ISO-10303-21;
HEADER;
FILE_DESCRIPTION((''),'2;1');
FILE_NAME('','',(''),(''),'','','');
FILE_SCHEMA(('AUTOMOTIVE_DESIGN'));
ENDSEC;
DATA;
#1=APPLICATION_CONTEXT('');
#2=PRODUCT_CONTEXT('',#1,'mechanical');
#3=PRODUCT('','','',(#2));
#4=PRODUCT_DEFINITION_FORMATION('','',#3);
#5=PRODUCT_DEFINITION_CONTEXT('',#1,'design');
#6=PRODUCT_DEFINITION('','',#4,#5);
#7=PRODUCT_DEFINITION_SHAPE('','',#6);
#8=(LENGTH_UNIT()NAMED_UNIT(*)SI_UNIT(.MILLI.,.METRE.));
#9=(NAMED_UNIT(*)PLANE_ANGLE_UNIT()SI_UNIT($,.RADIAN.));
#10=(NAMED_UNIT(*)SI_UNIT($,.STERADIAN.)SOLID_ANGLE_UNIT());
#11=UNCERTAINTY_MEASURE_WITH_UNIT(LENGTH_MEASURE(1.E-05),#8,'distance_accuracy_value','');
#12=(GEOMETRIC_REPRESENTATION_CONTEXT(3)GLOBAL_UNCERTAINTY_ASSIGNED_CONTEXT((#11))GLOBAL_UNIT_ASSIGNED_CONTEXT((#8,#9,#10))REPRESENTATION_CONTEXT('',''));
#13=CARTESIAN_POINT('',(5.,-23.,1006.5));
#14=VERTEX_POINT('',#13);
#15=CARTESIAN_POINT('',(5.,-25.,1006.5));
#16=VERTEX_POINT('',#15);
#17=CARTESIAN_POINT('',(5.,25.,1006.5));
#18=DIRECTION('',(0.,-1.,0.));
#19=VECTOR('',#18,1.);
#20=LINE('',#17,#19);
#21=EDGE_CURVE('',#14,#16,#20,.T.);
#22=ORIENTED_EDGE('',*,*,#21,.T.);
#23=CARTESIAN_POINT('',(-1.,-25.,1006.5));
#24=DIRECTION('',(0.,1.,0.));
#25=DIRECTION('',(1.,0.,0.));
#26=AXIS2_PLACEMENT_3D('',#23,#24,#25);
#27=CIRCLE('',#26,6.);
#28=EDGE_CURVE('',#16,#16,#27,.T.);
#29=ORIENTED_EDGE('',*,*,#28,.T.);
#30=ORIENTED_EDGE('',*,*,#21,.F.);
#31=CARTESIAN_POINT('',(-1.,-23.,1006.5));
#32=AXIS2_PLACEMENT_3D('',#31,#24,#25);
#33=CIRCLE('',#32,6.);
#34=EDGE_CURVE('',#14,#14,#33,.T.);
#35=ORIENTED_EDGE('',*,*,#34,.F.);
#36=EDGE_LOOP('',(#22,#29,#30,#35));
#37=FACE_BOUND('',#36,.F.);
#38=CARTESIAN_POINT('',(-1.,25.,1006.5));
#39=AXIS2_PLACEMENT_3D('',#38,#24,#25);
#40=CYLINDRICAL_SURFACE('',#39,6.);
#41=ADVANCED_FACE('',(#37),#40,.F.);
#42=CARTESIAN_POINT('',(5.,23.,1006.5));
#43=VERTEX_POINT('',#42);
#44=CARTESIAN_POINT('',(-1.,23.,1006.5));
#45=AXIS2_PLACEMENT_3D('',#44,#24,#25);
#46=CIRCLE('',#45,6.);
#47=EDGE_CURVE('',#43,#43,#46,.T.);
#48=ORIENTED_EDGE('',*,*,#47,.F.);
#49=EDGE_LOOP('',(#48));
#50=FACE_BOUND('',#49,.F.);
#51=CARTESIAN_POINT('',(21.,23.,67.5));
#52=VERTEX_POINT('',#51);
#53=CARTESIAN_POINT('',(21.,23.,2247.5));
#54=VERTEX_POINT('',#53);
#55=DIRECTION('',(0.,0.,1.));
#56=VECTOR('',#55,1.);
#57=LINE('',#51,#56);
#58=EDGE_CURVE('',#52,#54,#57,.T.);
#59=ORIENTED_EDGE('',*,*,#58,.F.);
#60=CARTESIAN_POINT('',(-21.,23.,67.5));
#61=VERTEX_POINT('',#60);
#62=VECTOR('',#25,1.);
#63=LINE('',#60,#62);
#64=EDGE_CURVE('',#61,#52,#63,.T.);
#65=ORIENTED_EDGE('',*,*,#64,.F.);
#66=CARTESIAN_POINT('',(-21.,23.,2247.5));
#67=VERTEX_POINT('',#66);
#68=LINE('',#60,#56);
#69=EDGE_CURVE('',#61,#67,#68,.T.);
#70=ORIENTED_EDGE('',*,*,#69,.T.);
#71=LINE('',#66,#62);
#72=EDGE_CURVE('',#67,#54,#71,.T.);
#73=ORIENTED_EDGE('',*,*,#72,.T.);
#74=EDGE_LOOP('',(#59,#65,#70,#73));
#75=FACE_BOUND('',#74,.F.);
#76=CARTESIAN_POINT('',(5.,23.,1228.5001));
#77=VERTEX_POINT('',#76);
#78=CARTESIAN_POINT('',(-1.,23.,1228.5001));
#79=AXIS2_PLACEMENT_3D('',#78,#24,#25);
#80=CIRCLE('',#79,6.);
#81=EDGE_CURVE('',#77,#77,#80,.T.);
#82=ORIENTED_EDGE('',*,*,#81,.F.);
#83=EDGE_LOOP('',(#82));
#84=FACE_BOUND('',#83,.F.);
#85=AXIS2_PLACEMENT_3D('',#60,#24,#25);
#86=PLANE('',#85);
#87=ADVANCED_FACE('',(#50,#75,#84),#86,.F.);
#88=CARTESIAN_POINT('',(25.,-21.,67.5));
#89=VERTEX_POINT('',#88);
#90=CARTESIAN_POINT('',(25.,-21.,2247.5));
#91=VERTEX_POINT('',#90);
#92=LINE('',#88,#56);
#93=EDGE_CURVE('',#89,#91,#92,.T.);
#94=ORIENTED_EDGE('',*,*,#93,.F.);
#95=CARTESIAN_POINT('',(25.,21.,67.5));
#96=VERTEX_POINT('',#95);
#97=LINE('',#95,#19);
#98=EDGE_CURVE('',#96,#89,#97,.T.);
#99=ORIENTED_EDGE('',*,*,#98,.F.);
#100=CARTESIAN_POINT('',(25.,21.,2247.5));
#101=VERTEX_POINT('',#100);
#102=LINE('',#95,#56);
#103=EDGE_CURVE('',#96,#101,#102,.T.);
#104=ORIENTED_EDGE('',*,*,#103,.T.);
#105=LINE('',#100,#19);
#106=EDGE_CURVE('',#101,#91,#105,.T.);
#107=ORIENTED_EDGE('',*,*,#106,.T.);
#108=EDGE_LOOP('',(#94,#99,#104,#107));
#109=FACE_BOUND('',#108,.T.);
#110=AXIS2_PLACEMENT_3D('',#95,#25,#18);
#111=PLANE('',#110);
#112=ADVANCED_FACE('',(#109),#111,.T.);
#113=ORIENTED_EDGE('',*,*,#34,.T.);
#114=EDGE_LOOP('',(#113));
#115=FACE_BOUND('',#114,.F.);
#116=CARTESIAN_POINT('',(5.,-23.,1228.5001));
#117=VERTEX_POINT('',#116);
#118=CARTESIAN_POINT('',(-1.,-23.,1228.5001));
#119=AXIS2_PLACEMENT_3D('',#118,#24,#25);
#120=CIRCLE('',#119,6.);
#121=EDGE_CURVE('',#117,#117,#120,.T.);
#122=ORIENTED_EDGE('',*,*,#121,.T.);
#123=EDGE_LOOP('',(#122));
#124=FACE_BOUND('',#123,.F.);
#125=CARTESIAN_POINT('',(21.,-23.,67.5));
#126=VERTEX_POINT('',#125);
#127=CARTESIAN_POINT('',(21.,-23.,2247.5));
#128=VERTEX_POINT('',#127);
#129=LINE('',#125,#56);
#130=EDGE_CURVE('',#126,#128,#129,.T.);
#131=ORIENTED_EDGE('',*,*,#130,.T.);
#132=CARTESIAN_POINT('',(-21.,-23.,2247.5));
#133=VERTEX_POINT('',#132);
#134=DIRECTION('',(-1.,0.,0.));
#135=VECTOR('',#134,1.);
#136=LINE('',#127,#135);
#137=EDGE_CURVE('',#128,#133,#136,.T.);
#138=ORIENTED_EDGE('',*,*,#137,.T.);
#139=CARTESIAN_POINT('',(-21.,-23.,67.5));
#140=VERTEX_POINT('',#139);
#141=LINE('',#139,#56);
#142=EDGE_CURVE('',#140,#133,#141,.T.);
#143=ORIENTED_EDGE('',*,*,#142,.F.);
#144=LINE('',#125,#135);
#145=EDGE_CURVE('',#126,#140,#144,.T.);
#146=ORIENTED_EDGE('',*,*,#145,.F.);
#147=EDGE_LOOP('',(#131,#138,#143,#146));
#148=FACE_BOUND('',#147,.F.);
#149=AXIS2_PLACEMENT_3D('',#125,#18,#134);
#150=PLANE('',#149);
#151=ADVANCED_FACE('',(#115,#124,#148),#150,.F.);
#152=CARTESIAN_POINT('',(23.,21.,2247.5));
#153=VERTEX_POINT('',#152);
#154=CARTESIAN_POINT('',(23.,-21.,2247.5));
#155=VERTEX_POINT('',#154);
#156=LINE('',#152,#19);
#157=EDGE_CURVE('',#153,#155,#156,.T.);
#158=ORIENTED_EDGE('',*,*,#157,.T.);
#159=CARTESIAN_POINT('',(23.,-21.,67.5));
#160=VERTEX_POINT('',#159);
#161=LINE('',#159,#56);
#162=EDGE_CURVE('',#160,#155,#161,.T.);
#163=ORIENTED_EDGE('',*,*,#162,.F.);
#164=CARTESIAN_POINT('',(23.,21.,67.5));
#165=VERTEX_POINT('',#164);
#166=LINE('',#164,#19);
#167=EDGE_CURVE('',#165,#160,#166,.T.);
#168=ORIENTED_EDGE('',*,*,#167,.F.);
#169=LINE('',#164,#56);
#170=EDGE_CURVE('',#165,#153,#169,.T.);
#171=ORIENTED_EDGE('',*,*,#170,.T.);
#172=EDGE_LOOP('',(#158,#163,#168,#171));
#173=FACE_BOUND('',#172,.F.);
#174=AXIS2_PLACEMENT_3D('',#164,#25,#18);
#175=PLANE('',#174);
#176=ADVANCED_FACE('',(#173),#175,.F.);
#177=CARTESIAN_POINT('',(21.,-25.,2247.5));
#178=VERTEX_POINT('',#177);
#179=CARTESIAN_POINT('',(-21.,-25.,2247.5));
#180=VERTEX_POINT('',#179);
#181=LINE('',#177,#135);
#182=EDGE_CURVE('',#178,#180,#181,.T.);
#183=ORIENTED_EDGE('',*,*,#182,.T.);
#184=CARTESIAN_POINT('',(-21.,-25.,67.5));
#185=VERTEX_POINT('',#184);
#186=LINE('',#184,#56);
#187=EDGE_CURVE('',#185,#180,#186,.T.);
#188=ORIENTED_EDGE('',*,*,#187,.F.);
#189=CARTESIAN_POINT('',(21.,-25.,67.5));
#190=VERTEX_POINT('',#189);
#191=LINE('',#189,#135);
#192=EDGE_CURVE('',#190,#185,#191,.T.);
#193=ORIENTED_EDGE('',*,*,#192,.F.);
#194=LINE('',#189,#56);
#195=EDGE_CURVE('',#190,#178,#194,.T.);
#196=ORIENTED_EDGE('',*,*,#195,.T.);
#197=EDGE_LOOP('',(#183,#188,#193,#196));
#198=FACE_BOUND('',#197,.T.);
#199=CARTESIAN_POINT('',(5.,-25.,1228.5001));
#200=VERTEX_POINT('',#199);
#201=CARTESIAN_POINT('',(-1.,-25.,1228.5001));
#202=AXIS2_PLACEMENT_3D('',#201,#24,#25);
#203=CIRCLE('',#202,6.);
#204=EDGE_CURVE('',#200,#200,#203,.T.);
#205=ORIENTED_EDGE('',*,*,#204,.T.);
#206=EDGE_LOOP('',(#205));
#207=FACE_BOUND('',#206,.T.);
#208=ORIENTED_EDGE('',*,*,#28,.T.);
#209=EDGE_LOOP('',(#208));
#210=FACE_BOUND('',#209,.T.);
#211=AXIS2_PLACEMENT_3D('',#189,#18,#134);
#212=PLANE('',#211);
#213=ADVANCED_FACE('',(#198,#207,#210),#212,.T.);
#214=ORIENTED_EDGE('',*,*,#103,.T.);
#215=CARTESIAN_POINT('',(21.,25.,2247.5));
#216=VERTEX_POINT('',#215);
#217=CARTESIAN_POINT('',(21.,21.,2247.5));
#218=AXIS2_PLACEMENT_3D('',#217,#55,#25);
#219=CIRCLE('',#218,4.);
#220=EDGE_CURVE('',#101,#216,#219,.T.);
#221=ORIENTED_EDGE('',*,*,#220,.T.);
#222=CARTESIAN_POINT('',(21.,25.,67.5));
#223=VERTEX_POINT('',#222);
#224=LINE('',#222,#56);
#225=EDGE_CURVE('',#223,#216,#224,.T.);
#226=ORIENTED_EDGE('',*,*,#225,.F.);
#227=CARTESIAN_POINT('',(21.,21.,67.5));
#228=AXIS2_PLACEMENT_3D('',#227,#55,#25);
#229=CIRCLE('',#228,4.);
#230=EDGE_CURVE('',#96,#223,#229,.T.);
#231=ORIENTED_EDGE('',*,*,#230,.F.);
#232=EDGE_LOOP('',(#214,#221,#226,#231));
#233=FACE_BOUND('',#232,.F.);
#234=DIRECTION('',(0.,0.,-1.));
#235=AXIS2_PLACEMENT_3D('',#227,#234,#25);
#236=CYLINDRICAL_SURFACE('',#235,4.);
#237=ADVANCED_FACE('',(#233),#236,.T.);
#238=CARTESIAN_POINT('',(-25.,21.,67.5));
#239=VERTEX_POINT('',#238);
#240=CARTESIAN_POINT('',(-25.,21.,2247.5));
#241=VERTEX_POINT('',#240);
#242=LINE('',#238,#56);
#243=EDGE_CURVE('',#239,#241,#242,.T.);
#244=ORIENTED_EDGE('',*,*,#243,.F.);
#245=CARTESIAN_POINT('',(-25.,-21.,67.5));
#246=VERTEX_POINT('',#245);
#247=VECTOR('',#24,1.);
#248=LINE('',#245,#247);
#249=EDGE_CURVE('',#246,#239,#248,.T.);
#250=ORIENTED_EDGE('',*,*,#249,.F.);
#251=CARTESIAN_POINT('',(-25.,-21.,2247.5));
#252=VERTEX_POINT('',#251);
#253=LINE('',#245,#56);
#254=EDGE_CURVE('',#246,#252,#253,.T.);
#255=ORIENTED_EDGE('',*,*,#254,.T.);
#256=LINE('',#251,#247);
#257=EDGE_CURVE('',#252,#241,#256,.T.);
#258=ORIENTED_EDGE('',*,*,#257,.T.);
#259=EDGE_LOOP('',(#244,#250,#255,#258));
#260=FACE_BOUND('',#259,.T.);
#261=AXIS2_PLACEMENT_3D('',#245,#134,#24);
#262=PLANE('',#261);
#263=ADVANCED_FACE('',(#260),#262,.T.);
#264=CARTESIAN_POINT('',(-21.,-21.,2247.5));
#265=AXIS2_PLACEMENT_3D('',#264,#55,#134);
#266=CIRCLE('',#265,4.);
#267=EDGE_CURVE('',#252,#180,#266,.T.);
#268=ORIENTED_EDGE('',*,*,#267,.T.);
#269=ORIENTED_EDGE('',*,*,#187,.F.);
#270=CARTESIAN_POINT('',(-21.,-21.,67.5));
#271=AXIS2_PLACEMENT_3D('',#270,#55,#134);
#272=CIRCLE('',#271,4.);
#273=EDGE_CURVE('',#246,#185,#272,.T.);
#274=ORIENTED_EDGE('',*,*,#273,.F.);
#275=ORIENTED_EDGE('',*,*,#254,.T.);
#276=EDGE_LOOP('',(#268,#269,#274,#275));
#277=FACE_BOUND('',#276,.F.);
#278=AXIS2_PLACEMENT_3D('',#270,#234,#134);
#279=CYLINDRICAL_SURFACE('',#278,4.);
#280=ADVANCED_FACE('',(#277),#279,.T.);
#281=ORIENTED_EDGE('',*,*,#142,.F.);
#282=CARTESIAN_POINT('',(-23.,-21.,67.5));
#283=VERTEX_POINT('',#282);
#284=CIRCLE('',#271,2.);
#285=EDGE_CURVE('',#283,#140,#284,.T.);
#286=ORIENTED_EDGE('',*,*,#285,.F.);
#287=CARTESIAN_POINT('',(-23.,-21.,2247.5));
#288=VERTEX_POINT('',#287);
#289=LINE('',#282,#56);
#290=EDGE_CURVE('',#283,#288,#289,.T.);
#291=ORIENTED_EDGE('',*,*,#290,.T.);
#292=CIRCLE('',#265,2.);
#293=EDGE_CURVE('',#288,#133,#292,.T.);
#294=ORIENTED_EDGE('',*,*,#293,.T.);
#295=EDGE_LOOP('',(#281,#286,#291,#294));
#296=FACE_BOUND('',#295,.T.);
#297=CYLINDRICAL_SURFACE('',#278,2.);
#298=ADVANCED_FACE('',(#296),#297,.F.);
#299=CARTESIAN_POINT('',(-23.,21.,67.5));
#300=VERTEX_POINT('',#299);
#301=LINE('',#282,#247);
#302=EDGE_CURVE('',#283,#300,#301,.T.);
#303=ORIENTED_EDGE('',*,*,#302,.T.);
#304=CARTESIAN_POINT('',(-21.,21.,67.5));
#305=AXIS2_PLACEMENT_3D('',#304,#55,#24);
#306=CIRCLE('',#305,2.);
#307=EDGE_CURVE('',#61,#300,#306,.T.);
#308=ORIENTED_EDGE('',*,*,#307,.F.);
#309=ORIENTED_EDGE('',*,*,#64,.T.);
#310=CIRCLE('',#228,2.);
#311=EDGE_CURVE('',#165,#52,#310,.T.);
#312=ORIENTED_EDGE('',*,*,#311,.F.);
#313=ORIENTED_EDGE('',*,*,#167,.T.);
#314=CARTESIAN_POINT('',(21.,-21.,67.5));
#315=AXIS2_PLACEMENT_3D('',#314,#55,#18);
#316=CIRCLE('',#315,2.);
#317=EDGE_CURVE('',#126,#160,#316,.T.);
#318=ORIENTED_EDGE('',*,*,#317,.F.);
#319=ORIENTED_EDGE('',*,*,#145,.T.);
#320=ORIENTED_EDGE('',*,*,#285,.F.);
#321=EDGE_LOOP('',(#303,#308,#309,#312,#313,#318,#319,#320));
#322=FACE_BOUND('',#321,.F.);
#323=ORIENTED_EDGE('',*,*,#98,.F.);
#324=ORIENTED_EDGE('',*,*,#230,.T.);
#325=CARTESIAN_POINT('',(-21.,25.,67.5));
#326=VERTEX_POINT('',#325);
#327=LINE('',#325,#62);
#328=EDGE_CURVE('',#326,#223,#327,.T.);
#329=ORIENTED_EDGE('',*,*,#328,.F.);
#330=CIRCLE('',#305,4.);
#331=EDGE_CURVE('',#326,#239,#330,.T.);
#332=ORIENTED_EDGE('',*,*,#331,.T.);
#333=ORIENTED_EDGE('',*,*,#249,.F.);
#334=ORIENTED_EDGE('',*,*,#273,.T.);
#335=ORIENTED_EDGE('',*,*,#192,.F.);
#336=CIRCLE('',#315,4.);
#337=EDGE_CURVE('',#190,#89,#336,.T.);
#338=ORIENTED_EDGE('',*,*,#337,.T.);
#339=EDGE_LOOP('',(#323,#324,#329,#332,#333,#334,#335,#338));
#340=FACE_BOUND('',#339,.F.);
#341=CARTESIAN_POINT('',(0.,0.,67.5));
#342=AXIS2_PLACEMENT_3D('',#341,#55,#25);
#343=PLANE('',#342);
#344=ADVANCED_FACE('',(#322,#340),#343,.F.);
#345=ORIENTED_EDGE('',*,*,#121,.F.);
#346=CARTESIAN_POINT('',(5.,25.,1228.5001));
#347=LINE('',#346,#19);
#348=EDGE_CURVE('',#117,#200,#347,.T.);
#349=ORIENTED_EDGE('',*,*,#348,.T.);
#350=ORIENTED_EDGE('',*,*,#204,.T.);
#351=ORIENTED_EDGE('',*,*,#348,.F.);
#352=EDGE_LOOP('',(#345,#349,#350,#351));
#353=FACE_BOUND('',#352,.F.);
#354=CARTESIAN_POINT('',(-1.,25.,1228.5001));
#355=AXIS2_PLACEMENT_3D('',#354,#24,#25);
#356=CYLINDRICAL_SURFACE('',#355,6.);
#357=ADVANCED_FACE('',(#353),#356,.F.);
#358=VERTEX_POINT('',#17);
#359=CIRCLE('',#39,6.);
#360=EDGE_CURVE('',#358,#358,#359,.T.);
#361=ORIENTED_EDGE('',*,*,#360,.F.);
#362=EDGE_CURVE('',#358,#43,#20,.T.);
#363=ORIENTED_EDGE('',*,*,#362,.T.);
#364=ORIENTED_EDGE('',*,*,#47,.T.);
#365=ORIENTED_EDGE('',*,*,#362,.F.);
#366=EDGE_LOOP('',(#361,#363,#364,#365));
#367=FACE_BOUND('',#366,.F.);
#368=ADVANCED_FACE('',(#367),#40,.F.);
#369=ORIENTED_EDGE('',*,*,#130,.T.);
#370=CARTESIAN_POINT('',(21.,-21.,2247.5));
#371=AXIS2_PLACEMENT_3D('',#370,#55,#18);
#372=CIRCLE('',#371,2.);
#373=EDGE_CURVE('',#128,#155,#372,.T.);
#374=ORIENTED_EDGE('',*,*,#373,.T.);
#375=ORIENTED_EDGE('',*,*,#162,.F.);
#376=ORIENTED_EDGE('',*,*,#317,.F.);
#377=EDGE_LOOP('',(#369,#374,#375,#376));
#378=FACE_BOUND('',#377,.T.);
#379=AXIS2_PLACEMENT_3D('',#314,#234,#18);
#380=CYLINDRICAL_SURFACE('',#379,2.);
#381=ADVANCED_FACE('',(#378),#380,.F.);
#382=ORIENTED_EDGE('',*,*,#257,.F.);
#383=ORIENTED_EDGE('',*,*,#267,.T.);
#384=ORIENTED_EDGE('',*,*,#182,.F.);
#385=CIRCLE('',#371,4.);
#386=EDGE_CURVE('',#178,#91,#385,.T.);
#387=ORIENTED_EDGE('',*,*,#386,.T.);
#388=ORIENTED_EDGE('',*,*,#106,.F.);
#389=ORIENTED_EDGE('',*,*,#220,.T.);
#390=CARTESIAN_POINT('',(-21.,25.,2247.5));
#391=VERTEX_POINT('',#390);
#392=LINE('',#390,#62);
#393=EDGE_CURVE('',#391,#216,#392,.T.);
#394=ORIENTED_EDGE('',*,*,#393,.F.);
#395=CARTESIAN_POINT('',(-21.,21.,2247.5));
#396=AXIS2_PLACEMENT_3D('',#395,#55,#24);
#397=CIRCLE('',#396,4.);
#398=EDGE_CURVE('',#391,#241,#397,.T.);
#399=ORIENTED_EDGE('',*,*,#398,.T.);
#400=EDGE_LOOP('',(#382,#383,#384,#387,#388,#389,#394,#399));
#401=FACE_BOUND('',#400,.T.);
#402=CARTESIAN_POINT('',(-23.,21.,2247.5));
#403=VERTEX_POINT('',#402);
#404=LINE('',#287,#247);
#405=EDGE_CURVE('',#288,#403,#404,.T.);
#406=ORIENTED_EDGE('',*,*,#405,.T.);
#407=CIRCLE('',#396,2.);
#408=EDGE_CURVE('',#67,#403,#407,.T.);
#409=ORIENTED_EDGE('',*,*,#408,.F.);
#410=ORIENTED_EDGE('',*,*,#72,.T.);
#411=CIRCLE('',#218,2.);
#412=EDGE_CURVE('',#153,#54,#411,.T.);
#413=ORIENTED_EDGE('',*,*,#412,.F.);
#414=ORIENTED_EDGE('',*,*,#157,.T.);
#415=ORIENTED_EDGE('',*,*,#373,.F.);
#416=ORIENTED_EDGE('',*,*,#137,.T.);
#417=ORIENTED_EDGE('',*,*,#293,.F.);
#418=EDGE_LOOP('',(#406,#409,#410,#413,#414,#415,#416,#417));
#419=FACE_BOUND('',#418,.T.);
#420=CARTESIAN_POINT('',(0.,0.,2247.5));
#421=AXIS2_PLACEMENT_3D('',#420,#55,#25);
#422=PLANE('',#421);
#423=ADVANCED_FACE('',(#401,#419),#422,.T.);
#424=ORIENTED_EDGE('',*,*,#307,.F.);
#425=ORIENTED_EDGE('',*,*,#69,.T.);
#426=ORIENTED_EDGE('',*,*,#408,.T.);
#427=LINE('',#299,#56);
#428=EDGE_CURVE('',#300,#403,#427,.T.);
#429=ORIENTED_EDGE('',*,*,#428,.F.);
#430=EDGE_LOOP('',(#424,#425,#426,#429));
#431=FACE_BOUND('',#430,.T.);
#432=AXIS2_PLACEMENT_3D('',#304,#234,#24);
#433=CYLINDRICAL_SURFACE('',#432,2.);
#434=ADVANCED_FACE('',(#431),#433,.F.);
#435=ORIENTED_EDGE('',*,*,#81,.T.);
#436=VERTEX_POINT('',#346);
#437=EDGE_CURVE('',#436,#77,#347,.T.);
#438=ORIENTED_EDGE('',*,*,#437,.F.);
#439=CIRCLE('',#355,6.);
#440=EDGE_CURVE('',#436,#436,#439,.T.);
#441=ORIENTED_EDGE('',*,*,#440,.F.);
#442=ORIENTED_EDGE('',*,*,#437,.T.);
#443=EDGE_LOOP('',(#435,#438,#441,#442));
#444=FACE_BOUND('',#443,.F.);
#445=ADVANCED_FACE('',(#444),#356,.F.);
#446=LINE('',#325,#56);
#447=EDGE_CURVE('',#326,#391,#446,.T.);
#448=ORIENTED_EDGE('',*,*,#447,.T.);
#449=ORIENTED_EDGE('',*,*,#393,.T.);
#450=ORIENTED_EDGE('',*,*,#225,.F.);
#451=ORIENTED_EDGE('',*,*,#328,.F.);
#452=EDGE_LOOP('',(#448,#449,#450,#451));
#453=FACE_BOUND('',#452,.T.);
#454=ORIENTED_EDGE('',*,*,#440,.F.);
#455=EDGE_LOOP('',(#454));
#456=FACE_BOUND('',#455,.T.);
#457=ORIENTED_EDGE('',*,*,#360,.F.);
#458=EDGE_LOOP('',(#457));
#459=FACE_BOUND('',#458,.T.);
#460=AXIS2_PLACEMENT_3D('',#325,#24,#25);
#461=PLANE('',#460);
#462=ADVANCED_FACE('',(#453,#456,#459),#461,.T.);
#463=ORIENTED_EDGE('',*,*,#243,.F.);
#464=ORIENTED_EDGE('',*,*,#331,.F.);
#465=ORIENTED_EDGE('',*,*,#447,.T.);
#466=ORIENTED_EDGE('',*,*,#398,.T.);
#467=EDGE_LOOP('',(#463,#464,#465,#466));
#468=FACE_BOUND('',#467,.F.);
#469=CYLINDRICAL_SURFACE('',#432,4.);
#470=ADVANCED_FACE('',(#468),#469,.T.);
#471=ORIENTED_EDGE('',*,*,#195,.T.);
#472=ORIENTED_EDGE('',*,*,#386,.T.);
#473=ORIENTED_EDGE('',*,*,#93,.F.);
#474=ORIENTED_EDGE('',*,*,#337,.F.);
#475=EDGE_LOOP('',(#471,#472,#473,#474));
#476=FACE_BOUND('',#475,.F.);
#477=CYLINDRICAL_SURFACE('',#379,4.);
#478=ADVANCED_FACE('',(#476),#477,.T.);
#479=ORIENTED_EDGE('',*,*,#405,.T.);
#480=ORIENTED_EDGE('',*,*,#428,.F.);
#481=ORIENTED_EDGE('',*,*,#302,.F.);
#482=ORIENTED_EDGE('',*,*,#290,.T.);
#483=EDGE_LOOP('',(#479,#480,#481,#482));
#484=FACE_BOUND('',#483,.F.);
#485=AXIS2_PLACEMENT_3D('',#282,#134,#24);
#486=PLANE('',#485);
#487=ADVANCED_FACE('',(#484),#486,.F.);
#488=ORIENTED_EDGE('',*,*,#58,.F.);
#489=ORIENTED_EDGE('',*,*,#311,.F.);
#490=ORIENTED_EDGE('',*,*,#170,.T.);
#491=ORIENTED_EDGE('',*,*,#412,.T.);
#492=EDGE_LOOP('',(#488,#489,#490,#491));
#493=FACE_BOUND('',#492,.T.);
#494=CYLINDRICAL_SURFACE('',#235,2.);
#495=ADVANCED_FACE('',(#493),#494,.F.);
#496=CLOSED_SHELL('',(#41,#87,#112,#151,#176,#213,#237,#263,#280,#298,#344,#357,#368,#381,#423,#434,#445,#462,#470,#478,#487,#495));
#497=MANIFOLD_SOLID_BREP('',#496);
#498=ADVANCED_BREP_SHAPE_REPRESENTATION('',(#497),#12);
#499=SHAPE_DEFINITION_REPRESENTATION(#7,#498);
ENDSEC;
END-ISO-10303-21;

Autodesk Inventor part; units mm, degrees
ref_plane "Start Plane" through (0, 0, 67.5) normal (0, 0, 1) x (1, 0, 0)
ref_plane "End Plane" through (0, 0, 2247.5) normal (0, 0, 1) x (1, 0, 0)
sketch "Sketch" plane through (0, 0, 0) normal (0, 0, 1) x (1, 0, 0)
  line L0 (-25, -21) -> (-25, 21)
  line L1 (-21, 25) -> (21, 25)
  line L2 (25, 21) -> (25, -21)
  line L3 (21, -25) -> (-21, -25)
  arc A0 (-25, -21) -> (-21, -25) centre (-21, -21) ccw
  arc A1 (25, 21) -> (21, 25) centre (21, 21) ccw
  arc A2 (-21, 25) -> (-25, 21) centre (-21, 21) ccw
  arc A3 (21, -25) -> (25, -21) centre (21, -21) ccw
  arc A4 (-21, 23) -> (-23, 21) centre (-21, 21) ccw
  line L4 (-21, 23) -> (21, 23)
  arc A5 (23, 21) -> (21, 23) centre (21, 21) ccw
  line L5 (23, 21) -> (23, -21)
  arc A6 (21, -23) -> (23, -21) centre (21, -21) ccw
  line L6 (21, -23) -> (-21, -23)
  arc A7 (-23, -21) -> (-21, -23) centre (-21, -21) ccw
  line L7 (-23, -21) -> (-23, 21)
  line L8 (0, 36.1598) -> (0, -36.1598) construction
  line L9 (-36.1598, 0) -> (36.1598, 0) construction
  dimension "d7" = 4
  dimension "d9" = 50
  dimension "d11" = 50
  dimension "d12" = 2
  dimension "d15" = 25
  dimension "d16" = 25
extrude "Body" add sketch "Sketch" along normal up to surface (2180 mm away) from surface at 67.5
sketch "Sketch3" plane through (0, 0, 0) normal (0, 0, 1) x (1, 0, 0)
  line L0 (0, 0) -> (10, 0)
ref_plane "Work Plane3" through (0, 0, 0) normal (0, -1, 0) x (1, 0, 0)
sketch "Sketch4" plane through (0, 0, 0) normal (0, -1, 0) x (1, 0, 0)
  line L0 (-2, 67.5) -> (12, 67.5)
  line L1 (-2, 2247.5) -> (12, 2247.5)
  dimension "d18" = 2180
ref_plane "Work Plane4" through (150.0026, 21, 27.5) normal (0, 0, -1) x (-1, 0, 0)
split "Split1" plane through (150.0026, 21, 27.5) removes the side toward (0, 0, -1)
ref_plane "Work Plane5" through (150.0026, -21, 2287.5) normal (0, 0, 1) x (1, 0, 0)
split "Split2" plane through (150.0026, -21, 2287.5) removes the side toward (0, 0, 1)
sketch "Sketch5" plane through (21, 25, 2247.5) normal (0, 1, 0) x (1, 0, 0)
  circle A0 centre (-22, 1018.9999) radius 6 projected
  circle A1 centre (-22, 1241) radius 6 projected
  point P0 (-21, 2247.5)
extrude "Extrusion2" cut sketch "Sketch5" against normal up to surface (50 mm away)
ref_plane "Work Plane6" through (0.0026, -21, 2247.5) normal (0, 0, 1) x (1, 0, 0)
split "Split3" plane through (0.0026, -21, 2247.5) removes the side toward (0, 0, 1)
ref_plane "Work Plane7" through (450.0026, 21, 67.5) normal (0, 0, -1) x (-1, 0, 0)
split "Split4" plane through (450.0026, 21, 67.5) removes the side toward (0, 0, -1)
equation "\"d7\" = G_IR"
equation "\"d9\" = G_W"
equation "\"d11\" = G_H"
equation "\"d12\" = G_T"
equation "\"d15\" = 0.5 * d9"
equation "\"d16\" = 0.5 * d11"
equation "\"d3\" = G_L"
equation "\"G_W\" = 50"
equation "\"G_H\" = 50"
equation "\"G_T\" = 2"
equation "\"G_IR\" = 4"
equation "\"G_L\" = d18"
equation "\"G_OFFSET_START\" = -67.50001"
equation "\"G_OFFSET_END\" = -67.5"
equation "\"d13\" = -G_OFFSET_START"
equation "\"d14\" = G_OFFSET_END + B_L"
equation "\"B_L\" = 2315"
properties part number "ISO 10799-2 - 50x50x2 - 2180" material "Steel, Galvanized"
